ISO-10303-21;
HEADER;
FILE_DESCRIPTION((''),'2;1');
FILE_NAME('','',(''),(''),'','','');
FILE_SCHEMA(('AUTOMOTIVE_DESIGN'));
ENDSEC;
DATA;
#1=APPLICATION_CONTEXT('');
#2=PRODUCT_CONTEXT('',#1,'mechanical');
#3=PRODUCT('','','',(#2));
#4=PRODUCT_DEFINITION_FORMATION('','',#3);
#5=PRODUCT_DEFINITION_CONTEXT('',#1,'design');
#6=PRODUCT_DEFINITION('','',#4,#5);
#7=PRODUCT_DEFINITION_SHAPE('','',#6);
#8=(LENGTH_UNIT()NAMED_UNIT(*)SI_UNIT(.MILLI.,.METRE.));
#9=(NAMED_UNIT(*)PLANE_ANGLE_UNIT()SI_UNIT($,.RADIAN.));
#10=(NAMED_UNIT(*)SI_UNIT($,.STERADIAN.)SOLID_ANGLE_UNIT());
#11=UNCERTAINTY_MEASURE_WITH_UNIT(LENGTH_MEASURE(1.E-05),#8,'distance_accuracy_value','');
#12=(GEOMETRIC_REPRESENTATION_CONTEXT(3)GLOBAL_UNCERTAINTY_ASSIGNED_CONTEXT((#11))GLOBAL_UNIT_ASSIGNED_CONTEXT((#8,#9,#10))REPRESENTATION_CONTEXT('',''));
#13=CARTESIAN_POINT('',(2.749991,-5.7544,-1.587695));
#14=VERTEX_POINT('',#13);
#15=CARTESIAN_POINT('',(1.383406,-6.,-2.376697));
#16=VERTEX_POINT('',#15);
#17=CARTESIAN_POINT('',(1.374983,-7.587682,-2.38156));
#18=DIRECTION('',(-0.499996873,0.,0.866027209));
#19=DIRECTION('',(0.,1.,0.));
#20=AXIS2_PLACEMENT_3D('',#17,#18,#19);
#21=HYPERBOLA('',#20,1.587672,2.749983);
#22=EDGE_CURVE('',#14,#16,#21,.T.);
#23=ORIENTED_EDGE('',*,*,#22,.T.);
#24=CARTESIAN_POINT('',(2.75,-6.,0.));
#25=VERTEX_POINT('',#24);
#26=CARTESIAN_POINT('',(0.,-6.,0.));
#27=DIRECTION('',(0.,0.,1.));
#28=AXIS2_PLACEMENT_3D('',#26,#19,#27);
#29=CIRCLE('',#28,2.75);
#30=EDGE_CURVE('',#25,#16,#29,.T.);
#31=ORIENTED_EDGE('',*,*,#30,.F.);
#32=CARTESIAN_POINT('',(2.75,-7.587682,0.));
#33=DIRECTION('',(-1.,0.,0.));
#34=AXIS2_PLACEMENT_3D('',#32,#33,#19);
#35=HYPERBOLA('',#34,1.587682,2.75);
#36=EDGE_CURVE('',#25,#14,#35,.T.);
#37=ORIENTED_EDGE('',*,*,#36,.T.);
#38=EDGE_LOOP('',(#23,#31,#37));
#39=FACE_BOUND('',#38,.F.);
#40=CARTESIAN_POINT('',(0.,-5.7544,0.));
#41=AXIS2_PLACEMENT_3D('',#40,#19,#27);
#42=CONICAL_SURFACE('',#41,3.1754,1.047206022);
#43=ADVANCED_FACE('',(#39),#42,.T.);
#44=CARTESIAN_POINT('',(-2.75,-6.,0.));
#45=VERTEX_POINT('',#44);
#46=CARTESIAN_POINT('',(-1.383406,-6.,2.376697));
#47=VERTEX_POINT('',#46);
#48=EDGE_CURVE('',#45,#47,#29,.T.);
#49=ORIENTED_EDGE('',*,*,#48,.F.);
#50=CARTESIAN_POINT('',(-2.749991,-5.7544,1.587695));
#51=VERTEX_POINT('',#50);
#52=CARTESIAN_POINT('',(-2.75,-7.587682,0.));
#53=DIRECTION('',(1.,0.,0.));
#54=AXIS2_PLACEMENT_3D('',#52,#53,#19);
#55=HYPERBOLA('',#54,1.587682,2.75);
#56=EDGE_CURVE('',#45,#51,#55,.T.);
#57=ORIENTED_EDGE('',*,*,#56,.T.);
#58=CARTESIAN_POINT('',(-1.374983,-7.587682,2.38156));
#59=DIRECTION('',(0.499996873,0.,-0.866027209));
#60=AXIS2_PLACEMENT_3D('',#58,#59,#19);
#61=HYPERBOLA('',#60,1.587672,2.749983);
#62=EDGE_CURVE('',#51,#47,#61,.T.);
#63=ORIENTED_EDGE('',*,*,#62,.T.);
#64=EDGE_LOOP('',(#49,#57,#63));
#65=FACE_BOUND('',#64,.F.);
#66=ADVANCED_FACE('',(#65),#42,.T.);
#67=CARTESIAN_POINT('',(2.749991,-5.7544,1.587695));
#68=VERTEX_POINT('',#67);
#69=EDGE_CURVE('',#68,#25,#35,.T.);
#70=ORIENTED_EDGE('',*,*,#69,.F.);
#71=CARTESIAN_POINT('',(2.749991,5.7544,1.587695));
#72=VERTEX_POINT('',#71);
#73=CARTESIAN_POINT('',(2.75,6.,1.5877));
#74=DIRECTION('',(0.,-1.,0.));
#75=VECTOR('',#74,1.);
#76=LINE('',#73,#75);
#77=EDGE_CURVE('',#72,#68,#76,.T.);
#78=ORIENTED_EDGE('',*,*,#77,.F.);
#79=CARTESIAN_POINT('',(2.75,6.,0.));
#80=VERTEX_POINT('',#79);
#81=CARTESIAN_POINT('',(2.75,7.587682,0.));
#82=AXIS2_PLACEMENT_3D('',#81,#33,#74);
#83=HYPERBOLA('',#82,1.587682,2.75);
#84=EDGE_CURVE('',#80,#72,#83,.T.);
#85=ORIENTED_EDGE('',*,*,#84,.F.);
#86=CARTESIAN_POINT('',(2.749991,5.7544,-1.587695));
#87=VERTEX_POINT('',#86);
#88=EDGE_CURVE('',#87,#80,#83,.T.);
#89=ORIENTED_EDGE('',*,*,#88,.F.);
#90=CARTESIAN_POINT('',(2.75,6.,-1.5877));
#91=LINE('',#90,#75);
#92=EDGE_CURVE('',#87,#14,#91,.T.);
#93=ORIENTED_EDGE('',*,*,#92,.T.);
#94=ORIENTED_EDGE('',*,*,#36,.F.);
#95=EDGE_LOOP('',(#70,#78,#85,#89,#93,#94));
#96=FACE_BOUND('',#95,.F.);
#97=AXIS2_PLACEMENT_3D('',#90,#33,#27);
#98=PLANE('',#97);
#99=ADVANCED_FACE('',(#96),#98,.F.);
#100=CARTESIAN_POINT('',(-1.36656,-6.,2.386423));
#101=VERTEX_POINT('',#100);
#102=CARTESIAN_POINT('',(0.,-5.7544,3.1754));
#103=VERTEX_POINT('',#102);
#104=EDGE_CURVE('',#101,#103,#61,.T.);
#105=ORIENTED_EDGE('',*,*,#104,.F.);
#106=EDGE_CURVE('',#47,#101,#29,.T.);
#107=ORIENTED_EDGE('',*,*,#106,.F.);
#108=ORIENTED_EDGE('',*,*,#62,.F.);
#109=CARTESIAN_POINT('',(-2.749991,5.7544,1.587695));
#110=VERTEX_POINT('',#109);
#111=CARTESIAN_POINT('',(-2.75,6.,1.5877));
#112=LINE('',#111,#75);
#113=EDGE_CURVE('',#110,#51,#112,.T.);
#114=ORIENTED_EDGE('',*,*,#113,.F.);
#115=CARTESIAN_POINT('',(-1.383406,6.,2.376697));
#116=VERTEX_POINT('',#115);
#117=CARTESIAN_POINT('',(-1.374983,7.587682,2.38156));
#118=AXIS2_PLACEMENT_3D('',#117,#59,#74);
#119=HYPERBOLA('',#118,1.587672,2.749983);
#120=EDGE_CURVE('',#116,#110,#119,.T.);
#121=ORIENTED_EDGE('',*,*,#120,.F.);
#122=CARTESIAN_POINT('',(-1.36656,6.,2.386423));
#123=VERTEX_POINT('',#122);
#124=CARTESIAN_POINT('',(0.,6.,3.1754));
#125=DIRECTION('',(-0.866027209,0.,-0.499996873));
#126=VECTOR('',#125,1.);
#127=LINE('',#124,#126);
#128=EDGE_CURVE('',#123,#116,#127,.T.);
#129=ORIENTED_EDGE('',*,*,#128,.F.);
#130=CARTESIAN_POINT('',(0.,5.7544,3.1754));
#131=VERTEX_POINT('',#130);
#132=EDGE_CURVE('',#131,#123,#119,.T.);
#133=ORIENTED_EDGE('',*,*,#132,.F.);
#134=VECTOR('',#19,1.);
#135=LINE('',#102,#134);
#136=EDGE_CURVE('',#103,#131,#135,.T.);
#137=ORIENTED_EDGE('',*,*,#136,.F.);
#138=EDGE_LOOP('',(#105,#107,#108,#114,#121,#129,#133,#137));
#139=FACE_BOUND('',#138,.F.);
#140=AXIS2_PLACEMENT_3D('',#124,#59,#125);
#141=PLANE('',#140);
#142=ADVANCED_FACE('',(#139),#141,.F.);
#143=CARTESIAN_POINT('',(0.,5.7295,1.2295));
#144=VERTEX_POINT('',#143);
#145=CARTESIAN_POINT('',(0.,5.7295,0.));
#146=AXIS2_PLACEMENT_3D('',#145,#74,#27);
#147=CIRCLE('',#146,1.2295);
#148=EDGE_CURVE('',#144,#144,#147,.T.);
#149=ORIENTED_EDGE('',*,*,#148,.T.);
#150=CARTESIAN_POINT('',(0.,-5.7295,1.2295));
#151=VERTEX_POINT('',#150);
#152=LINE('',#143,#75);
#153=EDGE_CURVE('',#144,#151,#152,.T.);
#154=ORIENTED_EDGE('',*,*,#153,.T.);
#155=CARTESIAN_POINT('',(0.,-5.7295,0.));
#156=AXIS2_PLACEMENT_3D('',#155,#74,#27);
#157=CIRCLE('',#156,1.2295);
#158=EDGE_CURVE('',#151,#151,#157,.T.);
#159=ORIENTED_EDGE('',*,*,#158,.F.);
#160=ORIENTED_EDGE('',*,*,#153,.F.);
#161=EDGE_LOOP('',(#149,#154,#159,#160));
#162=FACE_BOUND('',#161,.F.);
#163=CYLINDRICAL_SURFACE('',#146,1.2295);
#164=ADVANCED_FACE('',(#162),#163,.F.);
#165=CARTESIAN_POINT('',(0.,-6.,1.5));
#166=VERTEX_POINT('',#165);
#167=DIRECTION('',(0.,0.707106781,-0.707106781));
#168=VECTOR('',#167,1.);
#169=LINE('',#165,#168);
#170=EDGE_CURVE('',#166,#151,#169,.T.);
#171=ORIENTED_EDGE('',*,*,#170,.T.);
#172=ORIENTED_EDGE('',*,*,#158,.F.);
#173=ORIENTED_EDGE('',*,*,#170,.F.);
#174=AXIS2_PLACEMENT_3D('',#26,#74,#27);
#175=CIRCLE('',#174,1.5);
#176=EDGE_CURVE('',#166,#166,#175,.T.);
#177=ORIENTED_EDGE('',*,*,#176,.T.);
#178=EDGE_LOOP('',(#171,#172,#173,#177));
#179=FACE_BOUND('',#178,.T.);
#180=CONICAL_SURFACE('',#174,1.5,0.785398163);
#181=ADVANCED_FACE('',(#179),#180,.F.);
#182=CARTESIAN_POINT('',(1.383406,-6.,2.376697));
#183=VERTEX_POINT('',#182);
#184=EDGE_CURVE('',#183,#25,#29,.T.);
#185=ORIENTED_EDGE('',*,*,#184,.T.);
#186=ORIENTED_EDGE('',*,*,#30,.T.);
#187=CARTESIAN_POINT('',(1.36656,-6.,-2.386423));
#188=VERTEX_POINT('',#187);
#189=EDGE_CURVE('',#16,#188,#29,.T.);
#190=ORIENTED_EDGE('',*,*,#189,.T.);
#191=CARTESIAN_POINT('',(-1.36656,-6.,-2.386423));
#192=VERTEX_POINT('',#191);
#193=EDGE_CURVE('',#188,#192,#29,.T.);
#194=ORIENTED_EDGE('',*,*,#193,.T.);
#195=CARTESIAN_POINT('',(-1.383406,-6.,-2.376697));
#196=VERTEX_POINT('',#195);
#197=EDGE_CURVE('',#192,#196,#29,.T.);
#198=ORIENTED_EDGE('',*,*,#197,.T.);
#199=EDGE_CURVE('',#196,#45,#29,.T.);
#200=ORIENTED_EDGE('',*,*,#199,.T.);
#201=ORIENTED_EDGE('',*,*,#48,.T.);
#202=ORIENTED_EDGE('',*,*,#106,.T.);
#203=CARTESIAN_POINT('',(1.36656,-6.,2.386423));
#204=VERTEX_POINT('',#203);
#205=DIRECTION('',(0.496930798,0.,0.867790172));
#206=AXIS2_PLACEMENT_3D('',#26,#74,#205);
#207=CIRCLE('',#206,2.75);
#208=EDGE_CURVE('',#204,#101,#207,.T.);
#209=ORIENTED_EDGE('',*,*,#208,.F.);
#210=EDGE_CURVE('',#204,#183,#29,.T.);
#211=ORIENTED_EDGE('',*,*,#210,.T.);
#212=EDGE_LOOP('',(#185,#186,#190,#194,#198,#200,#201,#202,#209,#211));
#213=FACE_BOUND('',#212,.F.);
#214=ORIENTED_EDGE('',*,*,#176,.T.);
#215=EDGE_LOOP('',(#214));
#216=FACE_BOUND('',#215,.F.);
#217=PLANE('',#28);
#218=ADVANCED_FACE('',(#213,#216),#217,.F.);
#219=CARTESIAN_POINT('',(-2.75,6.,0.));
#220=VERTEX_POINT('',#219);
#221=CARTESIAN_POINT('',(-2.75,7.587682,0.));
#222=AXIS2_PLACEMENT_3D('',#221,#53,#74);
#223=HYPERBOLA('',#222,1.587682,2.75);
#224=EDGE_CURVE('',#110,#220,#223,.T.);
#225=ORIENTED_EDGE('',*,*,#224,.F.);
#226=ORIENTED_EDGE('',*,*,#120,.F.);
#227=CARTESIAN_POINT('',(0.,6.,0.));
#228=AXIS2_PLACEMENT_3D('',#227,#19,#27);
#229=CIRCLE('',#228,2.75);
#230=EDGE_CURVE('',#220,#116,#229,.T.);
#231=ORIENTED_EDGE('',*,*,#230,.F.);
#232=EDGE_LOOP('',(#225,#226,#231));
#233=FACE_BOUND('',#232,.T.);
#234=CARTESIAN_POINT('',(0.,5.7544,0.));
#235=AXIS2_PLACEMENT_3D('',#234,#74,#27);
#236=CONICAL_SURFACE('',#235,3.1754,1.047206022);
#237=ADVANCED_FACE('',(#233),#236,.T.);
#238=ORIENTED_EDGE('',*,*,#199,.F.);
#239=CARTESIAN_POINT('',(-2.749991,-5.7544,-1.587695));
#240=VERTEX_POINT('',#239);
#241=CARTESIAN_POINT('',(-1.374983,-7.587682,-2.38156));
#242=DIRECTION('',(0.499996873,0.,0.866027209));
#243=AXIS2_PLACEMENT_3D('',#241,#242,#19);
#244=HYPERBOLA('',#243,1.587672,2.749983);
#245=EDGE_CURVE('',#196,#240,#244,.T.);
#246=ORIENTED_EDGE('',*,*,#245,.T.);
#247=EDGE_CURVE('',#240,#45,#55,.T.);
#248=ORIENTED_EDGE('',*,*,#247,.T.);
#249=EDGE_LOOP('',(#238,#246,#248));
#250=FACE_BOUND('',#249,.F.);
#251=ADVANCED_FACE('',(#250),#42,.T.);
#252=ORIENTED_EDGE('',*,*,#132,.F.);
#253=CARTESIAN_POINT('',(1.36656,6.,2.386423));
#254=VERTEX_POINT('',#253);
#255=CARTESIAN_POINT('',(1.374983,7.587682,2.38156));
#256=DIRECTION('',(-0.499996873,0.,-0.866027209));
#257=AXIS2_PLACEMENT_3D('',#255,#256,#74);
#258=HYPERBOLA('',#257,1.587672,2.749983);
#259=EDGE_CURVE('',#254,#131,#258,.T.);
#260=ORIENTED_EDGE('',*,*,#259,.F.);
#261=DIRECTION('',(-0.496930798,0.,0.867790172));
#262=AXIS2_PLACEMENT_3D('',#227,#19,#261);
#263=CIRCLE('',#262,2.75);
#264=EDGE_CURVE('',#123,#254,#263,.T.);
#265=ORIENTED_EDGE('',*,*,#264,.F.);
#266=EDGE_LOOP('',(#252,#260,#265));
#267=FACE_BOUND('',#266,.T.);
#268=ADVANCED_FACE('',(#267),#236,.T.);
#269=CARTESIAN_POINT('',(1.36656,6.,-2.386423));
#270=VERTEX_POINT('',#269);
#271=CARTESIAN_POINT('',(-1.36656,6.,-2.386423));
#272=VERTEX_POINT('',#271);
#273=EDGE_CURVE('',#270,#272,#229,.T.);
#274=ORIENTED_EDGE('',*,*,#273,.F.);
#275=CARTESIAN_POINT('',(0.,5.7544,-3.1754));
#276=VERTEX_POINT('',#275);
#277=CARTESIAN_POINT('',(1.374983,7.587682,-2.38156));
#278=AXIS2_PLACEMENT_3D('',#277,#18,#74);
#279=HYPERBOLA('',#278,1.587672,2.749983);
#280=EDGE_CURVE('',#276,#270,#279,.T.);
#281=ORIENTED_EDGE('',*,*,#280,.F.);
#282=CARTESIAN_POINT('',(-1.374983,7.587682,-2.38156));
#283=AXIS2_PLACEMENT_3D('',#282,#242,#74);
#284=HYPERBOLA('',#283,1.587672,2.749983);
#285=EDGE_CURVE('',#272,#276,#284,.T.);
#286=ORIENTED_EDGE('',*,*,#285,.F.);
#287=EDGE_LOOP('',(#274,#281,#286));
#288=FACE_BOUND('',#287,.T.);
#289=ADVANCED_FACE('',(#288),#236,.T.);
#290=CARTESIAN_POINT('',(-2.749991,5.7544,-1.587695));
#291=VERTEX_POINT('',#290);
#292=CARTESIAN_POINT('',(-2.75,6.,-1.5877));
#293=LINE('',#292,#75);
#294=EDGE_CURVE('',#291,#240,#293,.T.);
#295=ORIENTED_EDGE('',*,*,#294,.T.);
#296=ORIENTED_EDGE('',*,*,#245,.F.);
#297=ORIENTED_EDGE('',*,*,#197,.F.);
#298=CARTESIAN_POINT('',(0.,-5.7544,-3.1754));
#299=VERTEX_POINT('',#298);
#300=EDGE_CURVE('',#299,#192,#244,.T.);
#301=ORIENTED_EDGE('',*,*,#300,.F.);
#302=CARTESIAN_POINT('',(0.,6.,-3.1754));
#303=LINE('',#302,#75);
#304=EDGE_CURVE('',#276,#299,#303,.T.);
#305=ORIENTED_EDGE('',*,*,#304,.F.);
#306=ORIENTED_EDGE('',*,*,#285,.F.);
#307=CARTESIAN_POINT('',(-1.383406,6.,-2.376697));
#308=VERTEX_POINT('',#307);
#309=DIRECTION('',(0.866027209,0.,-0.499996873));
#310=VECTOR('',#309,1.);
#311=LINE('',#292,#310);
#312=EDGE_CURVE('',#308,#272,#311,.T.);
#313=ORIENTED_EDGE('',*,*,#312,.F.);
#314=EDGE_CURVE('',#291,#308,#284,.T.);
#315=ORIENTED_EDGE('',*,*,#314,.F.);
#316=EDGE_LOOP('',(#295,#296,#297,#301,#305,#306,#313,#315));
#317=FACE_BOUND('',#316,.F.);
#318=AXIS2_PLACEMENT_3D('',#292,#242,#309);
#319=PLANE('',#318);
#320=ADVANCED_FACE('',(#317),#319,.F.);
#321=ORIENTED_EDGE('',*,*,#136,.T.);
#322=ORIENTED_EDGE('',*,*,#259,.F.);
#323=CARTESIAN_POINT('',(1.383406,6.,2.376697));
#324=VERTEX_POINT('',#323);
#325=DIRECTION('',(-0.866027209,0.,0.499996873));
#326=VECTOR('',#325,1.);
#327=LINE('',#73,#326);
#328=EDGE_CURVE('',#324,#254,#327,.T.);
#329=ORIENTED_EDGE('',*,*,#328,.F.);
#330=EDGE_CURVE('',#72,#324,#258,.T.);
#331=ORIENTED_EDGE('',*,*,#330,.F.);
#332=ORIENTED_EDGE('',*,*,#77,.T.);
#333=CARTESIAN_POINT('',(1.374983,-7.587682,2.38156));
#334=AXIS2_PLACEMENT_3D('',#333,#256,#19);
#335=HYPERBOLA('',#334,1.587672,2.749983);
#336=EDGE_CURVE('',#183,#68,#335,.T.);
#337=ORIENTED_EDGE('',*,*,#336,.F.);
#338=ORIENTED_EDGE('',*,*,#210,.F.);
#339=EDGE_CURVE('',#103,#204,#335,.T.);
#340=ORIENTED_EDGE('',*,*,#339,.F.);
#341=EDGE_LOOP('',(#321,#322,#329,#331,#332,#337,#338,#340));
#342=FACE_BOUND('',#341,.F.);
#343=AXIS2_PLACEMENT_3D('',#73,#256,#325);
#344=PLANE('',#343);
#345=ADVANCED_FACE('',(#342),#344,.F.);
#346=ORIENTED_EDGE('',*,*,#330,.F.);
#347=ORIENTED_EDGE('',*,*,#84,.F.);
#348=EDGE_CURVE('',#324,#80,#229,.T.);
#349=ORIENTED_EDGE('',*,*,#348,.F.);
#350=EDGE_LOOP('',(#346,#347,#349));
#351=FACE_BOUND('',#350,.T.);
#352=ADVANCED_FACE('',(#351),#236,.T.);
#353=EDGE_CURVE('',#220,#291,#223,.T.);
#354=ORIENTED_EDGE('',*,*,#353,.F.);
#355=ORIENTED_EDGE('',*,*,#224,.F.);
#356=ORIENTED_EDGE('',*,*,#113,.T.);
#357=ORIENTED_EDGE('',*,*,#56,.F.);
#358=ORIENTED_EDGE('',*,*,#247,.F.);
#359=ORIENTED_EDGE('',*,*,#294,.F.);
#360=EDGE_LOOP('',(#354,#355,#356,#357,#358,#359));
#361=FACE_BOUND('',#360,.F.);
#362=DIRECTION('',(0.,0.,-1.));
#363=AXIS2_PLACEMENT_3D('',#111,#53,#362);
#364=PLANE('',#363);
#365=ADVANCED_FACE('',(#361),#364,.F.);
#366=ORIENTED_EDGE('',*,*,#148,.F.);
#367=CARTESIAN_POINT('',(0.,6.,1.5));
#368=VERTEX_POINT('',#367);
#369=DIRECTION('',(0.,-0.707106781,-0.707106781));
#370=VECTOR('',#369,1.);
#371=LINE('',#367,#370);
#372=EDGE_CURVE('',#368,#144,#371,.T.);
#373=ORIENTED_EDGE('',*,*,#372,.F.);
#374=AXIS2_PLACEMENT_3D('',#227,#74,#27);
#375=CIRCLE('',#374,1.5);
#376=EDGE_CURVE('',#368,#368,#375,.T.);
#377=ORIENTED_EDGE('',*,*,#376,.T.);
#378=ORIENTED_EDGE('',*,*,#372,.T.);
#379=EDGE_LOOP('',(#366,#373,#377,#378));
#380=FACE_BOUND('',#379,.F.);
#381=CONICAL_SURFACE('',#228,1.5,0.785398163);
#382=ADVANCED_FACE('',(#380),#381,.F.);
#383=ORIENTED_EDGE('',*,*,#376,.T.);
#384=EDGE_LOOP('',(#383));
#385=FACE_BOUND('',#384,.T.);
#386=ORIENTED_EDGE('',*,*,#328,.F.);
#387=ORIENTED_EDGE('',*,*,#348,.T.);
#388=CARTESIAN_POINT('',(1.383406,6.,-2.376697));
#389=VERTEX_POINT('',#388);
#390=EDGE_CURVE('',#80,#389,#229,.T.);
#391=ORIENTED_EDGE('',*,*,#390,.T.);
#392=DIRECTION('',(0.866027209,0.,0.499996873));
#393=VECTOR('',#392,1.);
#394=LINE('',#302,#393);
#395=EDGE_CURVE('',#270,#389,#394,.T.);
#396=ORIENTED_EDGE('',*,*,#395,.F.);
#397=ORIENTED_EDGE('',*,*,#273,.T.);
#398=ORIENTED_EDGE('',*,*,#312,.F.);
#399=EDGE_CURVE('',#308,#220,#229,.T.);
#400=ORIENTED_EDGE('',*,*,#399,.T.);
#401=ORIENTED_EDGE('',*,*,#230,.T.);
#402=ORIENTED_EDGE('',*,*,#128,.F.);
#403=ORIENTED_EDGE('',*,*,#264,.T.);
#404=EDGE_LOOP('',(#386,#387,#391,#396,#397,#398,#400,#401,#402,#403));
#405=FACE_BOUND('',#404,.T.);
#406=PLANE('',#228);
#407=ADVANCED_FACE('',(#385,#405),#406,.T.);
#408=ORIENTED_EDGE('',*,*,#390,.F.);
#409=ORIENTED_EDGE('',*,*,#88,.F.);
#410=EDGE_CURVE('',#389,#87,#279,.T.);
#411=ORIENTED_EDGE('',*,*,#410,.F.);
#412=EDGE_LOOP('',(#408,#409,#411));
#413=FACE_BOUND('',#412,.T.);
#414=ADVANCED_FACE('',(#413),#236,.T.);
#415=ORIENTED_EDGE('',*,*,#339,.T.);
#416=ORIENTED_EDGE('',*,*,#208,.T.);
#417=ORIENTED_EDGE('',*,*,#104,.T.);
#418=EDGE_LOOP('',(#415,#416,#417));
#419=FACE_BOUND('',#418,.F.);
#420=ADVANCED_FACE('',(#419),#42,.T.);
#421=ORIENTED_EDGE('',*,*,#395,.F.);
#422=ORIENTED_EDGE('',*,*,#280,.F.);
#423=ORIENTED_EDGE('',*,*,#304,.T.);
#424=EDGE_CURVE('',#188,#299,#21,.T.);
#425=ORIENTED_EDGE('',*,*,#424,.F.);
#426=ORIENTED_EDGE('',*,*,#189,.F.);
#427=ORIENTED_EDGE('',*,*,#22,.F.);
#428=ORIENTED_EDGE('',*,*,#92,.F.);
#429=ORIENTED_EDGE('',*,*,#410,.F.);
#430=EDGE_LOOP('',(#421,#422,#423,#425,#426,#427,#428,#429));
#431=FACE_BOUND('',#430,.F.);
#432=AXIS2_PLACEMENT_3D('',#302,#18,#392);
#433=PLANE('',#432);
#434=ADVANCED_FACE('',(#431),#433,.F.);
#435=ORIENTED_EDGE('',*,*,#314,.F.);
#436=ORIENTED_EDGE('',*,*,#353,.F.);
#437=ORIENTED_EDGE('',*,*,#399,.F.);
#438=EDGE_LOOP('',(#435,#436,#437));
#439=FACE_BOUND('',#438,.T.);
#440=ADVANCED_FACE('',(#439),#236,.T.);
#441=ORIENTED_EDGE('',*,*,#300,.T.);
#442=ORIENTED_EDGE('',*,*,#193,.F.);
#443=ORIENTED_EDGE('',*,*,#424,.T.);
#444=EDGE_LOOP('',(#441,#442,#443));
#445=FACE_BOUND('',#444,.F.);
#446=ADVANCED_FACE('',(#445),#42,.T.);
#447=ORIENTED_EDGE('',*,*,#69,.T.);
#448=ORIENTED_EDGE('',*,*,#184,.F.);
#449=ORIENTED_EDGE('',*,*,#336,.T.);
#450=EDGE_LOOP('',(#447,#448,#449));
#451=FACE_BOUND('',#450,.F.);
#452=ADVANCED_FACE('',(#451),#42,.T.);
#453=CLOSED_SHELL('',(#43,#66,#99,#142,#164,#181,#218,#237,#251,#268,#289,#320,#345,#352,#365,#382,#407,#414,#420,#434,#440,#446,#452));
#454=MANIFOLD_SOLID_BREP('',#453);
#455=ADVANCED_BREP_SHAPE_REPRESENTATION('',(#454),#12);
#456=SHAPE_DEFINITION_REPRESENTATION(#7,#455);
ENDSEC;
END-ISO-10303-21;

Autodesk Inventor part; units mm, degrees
ref_plane "YZ Plane" through (0, 0, 0) normal (1, 0, 0) x (0, 1, 0)
ref_plane "XZ Plane" through (0, 0, 0) normal (0, 1, 0) x (-1, 0, 0)
ref_plane "XY Plane" through (0, 0, 0) normal (0, 0, 1) x (1, 0, 0)
sketch "スケッチ1" plane through (0, 0, 0) normal (1, 0, 0) x (0, 1, 0)
  line L0 (-6, 0) -> (6, 0)
  line L1 (0, 0) -> (0, 3.1754) construction
  line L2 (-5.7544, 3.1754) -> (-6, 2.75)
  line L3 (-6, 2.75) -> (-6, 0)
  line L4 (-5.7544, 3.1754) -> (5.7544, 3.1754)
  line L5 (5.7544, 3.1754) -> (6, 2.75)
  line L6 (6, 2.75) -> (6, 0)
  dimension "d1" = 2.75
  dimension "d2" = 3.1754
  dimension "d3" = 30
  dimension "d4" = 12
revolve "回転1" add sketch "スケッチ1" angle 360 about axis through (0, -6, 0) along (0, 1, 0)
sketch "スケッチ2" plane through (0, 6, 0) normal (0, 1, 0) x (1, 0, 0)
  circle A0 centre (0, 0) radius 3.1754 projected
  line L0 (0, -3.1754) -> (-2.75, -1.5877)
  line L1 (-2.75, -1.5877) -> (-2.75, 1.5877)
  line L2 (-2.75, 1.5877) -> (0, 3.1754)
  line L3 (0, 3.1754) -> (2.75, 1.5877)
  line L4 (2.75, 1.5877) -> (2.75, -1.5877)
  line L5 (2.75, -1.5877) -> (0, -3.1754)
  point P0 (0, 0)
  point P1 (0, 0)
  point P2 (2.75, -1.5877)
  point P3 (2.75, -1.5877)
  point P4 (2.75, 1.5877)
  point P5 (2.75, 1.5877)
  point P6 (0, 3.1754)
  point P7 (0, 3.1754)
  point P8 (-2.75, 1.5877)
  point P9 (-2.75, 1.5877)
  point P10 (-2.75, -1.5877)
  point P11 (-2.75, -1.5877)
extrude "押し出し1" cut sketch "スケッチ2" against normal through all contours A0 L4 | L3 A0 | A0 L5 | L2 A0 | A0 L0 | L1 A0
hole "穴1" at (0, 6, 0) direction (0, -1, 0) diameter 2.459 end through all countersink diameter 3 countersink angle 90 thread size "M3x0.5" class "6H" standard "ISO Metric profile"
mirror "ミラー1" about plane through (0, 0, 0) normal (0, 1, 0) of "穴1"
equation "\"d2\" = 1.1547 * d1"
properties part number "ASL-312BE" material "アルミニウム 2014-T4"
